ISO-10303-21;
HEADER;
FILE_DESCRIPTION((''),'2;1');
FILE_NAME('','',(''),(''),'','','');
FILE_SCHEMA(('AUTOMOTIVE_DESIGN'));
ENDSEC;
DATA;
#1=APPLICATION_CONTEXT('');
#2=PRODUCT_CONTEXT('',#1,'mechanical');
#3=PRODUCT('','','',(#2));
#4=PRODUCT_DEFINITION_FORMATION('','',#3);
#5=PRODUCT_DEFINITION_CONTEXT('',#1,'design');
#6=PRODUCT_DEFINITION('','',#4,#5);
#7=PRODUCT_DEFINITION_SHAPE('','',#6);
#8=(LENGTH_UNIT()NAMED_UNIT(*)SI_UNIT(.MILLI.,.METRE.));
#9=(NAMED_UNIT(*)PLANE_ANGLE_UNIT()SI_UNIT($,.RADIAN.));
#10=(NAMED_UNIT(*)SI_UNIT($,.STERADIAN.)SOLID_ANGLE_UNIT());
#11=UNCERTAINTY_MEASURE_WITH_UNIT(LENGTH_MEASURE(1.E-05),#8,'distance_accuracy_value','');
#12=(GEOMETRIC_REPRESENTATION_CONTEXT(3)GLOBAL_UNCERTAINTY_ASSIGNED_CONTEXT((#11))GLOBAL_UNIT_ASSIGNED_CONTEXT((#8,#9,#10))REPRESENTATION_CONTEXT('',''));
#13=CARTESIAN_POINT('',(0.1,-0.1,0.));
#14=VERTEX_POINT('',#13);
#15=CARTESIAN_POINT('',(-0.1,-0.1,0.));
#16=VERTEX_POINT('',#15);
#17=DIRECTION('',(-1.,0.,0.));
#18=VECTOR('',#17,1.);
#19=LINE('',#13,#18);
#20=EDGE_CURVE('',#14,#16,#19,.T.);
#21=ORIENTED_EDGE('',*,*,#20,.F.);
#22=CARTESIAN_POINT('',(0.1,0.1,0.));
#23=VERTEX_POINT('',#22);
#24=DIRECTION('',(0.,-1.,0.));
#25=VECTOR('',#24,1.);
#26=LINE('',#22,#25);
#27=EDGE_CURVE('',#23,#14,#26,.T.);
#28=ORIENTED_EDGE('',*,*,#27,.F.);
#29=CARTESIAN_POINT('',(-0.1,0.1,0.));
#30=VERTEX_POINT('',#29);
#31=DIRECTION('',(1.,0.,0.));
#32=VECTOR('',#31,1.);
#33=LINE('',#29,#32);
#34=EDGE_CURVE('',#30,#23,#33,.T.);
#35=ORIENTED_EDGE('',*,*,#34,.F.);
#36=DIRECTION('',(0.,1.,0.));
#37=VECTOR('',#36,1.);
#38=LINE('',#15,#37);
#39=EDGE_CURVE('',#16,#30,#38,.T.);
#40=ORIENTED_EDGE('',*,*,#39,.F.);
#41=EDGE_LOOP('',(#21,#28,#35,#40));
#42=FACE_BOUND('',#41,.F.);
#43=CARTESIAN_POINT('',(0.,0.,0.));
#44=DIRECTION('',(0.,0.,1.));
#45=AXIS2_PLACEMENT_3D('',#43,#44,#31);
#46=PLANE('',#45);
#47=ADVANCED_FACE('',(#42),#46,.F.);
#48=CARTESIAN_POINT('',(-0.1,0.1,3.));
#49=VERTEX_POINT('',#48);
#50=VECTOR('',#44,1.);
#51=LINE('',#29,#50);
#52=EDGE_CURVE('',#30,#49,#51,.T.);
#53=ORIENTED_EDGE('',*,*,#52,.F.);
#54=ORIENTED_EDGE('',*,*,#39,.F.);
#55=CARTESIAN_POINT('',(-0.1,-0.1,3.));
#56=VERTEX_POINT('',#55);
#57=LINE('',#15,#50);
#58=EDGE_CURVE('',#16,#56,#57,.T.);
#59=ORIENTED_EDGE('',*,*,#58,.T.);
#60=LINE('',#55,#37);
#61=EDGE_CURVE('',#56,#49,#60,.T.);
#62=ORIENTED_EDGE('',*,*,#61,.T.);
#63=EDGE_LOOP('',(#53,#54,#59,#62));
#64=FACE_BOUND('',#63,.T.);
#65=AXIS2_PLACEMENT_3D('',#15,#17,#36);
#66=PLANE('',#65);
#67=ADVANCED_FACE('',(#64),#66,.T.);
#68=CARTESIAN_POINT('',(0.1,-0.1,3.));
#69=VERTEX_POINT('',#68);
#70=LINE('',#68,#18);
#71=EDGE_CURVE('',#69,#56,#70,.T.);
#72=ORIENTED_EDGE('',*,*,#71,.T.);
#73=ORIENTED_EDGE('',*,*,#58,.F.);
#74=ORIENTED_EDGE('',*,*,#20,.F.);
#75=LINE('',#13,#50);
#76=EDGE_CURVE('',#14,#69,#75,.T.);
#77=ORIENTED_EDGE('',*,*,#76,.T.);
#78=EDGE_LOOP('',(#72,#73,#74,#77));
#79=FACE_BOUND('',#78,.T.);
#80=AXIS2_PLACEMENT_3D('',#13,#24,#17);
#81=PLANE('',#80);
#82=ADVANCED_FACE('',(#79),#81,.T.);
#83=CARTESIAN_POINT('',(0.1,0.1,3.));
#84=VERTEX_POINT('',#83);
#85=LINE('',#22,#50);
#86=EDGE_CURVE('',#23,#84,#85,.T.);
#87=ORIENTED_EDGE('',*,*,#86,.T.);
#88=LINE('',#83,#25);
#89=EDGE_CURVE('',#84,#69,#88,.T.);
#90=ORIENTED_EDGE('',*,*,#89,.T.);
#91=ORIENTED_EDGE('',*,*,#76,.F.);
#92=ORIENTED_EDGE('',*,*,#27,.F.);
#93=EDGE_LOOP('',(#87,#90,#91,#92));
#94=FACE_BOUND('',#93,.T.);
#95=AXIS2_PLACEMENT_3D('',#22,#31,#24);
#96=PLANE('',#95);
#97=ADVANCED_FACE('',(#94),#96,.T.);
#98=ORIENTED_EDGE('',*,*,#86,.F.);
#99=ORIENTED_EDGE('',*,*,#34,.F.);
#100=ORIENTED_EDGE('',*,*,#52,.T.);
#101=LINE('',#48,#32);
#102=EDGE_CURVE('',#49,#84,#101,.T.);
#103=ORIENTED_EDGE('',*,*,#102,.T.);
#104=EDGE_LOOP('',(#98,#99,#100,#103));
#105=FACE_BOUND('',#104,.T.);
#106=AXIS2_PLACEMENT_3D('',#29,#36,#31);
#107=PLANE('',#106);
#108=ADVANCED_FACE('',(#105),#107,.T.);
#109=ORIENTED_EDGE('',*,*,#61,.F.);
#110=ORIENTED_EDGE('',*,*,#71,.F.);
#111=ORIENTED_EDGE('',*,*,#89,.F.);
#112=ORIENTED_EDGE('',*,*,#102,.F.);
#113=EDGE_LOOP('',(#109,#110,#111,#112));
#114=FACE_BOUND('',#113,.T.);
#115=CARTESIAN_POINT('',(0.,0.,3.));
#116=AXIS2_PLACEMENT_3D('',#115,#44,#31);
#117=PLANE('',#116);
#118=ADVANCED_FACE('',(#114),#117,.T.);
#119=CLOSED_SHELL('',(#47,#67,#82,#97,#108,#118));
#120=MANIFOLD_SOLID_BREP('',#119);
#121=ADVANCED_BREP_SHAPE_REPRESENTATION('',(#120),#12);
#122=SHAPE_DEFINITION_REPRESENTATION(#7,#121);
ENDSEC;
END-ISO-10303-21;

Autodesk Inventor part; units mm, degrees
ref_plane "YZ Plane" through (0, 0, 0) normal (1, 0, 0) x (0, 1, 0)
ref_plane "XZ Plane" through (0, 0, 0) normal (0, 1, 0) x (-1, 0, 0)
ref_plane "XY Plane" through (0, 0, 0) normal (0, 0, 1) x (1, 0, 0)
sketch "Sketch1" plane through (0, 0, 0) normal (0, 0, 1) x (1, 0, 0)
  line L0 (0.1, -0.1) -> (-0.1, -0.1)
  line L1 (-0.1, -0.1) -> (-0.1, 0.1)
  line L2 (-0.1, 0.1) -> (0.1, 0.1)
  line L3 (0.1, 0.1) -> (0.1, -0.1)
  line L4 (0.1, -0.1) -> (-0.1, 0.1) construction
  line L5 (-0.1, -0.1) -> (0.1, 0.1) construction
  point P0 (0, 0)
  dimension "d0" = 0.2
  dimension "d1" = 0.2
extrude "Extrusion1" add sketch "Sketch1" along normal blind 3
equation "\"d0\" = d1"
properties material "Copper"
